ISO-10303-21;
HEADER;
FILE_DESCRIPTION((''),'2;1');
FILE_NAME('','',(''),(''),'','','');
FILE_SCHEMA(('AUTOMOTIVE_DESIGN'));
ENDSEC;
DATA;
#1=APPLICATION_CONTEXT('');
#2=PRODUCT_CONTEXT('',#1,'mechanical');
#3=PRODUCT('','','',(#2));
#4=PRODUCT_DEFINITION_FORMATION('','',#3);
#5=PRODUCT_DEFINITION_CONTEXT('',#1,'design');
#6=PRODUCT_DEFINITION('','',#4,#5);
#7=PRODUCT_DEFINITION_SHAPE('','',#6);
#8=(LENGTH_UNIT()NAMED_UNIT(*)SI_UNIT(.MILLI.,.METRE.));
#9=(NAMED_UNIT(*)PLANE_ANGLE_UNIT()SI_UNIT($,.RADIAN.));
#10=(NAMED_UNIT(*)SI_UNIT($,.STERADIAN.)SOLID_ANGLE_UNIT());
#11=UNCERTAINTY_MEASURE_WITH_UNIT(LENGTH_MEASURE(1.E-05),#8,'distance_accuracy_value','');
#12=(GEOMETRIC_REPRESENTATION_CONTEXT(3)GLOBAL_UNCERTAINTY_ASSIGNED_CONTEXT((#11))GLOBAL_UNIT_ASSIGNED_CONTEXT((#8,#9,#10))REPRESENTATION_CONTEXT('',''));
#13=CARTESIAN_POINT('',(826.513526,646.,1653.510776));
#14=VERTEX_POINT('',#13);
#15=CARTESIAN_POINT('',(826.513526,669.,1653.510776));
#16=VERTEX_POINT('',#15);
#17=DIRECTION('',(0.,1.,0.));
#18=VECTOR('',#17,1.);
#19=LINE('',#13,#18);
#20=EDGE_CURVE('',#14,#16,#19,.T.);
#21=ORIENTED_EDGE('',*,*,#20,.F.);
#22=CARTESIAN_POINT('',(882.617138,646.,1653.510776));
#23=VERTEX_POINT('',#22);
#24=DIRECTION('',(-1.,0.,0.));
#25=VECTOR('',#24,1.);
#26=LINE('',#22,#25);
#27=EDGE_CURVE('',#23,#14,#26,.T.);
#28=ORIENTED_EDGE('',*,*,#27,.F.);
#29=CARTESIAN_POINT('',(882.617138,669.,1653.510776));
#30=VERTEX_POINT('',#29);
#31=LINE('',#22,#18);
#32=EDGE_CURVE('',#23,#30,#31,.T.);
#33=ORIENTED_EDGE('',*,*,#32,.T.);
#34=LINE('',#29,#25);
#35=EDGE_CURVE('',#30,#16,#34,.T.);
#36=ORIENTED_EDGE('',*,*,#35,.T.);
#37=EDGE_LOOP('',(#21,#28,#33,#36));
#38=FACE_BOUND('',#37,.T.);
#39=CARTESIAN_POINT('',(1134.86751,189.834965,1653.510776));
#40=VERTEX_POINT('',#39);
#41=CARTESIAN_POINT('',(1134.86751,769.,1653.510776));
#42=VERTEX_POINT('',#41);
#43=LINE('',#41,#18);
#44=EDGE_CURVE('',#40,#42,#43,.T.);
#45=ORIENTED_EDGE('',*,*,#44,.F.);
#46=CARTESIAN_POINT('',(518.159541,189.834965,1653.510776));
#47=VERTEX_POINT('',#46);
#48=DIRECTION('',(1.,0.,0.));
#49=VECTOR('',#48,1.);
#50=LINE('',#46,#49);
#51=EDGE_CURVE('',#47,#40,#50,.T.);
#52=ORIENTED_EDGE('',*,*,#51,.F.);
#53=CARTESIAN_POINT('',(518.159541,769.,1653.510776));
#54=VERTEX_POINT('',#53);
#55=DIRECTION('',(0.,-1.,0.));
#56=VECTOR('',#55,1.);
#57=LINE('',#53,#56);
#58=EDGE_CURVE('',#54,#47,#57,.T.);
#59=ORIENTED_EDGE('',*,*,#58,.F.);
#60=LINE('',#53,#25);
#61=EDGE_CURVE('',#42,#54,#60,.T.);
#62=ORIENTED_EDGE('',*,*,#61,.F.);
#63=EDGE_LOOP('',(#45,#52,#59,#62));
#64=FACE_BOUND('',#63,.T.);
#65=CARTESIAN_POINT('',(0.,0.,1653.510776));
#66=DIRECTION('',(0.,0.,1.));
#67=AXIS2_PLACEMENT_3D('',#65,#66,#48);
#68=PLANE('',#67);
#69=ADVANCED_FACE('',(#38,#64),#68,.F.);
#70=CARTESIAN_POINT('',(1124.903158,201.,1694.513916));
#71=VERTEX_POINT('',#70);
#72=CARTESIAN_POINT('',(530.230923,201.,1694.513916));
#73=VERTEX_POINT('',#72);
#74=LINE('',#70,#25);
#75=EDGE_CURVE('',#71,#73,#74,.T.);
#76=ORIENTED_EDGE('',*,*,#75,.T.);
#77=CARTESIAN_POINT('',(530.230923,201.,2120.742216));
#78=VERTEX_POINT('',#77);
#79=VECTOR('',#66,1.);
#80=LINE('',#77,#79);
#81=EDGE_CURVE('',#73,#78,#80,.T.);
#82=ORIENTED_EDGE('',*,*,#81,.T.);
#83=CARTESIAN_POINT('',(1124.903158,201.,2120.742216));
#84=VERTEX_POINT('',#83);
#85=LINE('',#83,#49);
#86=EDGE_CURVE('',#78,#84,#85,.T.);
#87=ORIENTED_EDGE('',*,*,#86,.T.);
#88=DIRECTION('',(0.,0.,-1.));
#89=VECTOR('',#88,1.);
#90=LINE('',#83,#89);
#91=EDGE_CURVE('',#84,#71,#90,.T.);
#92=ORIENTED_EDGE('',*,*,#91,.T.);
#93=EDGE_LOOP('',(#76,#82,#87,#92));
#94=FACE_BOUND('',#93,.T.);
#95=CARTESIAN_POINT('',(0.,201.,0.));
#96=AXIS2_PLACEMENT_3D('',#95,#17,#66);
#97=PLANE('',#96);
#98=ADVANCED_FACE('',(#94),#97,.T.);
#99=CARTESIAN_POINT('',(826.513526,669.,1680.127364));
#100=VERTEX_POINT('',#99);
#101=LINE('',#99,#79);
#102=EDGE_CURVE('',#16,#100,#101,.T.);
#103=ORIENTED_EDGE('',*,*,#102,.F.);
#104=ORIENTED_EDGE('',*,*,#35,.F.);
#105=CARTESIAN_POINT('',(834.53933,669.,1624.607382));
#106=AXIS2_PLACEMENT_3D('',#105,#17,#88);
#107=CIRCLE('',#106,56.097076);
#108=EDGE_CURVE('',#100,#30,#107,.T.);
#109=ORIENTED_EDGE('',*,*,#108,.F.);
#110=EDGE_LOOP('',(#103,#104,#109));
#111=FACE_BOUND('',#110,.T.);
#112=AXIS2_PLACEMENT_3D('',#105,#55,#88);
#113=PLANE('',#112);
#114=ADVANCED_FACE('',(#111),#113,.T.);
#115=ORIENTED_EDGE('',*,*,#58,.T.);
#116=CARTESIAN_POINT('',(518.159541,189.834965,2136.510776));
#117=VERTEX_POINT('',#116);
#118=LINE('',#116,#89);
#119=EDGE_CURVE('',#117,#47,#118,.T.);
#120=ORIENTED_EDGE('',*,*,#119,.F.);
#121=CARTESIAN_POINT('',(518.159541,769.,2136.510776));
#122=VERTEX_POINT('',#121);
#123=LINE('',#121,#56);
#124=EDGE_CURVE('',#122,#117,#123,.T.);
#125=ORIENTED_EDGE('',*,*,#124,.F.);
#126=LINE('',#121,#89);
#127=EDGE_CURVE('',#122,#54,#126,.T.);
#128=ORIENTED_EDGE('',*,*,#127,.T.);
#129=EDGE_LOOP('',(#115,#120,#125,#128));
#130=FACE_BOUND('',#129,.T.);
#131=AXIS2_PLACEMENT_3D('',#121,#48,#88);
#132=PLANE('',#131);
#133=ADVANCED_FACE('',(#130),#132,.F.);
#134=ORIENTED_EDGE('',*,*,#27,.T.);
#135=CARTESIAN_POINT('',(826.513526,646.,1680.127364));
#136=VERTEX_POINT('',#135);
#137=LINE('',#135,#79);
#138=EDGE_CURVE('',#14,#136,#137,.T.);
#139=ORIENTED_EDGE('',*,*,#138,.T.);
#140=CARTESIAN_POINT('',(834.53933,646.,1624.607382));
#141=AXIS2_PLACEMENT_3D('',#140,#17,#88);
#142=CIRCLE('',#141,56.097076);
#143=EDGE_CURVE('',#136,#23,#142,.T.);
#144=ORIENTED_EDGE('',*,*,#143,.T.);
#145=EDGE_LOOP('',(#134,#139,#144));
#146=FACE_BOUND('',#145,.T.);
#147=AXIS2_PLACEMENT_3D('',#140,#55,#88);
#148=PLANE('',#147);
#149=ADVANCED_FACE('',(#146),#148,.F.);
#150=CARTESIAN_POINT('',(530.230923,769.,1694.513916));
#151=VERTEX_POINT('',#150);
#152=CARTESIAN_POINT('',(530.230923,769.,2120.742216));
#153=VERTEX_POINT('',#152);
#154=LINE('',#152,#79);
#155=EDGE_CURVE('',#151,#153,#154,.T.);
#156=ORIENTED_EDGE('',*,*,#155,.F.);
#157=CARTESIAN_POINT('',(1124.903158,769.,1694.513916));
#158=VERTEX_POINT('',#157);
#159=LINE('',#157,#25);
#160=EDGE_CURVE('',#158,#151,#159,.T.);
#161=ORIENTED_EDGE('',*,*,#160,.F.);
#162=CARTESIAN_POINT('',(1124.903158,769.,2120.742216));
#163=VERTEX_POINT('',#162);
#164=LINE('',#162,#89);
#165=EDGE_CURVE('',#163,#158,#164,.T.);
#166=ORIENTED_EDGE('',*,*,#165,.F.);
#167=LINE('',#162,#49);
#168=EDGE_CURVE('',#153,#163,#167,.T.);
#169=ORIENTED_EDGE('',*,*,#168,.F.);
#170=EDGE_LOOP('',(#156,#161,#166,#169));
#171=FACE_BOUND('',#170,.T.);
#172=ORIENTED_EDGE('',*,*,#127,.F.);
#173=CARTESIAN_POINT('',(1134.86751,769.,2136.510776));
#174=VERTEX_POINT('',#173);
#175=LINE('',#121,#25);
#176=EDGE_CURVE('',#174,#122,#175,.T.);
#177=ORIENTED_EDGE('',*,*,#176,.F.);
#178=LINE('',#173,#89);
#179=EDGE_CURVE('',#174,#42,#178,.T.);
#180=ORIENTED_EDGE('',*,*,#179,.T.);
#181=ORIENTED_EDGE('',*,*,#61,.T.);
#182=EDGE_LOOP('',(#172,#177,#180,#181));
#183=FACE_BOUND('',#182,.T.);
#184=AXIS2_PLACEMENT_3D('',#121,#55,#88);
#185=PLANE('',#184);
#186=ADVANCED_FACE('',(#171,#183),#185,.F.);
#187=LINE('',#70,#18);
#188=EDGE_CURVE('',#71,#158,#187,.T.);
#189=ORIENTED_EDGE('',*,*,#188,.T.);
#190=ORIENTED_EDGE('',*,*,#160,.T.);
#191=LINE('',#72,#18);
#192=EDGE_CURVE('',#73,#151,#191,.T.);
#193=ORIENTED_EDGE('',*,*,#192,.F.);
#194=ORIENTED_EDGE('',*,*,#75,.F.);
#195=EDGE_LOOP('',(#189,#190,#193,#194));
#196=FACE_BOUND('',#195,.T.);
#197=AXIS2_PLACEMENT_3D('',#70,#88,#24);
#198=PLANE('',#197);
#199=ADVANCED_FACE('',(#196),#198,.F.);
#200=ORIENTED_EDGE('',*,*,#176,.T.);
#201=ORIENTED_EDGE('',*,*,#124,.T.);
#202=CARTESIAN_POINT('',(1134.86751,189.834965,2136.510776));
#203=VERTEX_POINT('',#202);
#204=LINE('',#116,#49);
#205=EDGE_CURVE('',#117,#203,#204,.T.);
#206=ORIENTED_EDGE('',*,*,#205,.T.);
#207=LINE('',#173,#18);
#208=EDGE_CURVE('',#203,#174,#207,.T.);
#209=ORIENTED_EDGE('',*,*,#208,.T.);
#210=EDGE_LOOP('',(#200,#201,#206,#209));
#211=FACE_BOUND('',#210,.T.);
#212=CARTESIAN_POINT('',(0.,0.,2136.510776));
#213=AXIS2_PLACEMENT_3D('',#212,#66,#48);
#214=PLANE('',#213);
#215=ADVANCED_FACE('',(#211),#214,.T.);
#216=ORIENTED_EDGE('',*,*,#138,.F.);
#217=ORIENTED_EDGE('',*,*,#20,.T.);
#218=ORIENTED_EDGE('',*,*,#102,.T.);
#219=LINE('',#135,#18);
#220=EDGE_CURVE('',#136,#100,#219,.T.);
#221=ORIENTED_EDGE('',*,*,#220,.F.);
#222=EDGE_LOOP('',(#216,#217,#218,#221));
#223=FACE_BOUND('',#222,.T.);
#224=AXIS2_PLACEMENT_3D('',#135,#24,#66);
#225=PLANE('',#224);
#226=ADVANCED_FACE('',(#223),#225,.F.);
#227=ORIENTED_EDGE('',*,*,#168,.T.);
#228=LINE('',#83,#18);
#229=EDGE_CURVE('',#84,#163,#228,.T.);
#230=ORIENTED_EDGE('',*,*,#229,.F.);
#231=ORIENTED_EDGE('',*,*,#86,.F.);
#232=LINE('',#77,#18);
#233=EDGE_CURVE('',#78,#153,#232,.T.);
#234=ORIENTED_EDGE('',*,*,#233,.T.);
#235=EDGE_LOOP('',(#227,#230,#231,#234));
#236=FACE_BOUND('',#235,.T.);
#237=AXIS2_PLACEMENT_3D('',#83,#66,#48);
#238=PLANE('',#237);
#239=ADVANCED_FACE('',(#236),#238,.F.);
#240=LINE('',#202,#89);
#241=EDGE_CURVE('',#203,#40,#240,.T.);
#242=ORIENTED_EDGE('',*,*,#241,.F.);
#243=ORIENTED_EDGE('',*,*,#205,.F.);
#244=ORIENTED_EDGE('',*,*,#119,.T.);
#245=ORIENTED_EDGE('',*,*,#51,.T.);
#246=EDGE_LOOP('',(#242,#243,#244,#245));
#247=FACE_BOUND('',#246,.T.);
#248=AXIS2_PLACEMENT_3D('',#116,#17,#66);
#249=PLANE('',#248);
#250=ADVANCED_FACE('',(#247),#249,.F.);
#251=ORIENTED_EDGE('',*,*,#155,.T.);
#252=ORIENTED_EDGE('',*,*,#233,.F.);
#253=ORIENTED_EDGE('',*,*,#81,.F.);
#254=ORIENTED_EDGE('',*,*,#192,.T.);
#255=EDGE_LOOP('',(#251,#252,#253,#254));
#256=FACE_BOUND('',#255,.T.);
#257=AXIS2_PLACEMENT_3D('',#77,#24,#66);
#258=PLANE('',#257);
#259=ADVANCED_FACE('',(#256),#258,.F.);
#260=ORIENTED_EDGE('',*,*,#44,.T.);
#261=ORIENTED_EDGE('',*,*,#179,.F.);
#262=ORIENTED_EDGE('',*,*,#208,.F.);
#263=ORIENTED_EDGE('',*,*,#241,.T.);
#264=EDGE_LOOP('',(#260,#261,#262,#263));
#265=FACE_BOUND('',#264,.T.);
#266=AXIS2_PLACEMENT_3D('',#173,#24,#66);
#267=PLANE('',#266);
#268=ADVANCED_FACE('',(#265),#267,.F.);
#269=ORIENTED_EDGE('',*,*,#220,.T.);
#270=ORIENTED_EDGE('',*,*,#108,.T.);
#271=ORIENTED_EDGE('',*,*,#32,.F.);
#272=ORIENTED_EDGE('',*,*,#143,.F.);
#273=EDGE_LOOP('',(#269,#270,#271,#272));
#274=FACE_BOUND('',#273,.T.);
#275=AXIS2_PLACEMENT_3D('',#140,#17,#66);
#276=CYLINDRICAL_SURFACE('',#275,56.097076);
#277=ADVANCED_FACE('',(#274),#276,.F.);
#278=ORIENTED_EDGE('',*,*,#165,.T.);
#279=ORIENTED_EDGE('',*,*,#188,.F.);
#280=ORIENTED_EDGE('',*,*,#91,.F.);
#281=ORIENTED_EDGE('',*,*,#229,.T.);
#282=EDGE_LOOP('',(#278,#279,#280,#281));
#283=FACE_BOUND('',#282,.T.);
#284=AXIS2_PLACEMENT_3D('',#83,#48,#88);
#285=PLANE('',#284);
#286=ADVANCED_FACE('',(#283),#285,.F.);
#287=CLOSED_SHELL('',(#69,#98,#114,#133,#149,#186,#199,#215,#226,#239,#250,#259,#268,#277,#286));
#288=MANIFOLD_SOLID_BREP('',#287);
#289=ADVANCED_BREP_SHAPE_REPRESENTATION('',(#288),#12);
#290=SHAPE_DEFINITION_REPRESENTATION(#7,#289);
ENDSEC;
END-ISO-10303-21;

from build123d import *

# Parameters (mm, degrees)
BOSS_EXTRUDE1_START = 710
SKETCH2_W           = 616.707969139
SKETCH2_H           = 579.165034538
BOSS_EXTRUDE1_DEPTH = 483
SKETCH3_W           = 594.672235047
SKETCH3_H           = 426.228299924
CUT_EXTRUDE1_DEPTH  = 568
CUT_EXTRUDE2_START  = -100
CUT_EXTRUDE2_DEPTH  = 23


with BuildPart() as part:
    # Sketch2 → Boss-Extrude1 (new body)
    with BuildSketch(Plane.XY.offset(943.510776168).offset(BOSS_EXTRUDE1_START)):
        with Locations((826.513525673, 479.417482731)):
            Rectangle(SKETCH2_W, SKETCH2_H)
    extrude(amount=BOSS_EXTRUDE1_DEPTH)

    # Sketch3 → Cut-Extrude1 (cut)
    with BuildSketch(Plane(origin=(0, 769, 0), x_dir=(1, 0, 0), z_dir=(0, 1, 0))):
        with Locations((827.567040516, -1907.628066077)):
            Rectangle(SKETCH3_W, SKETCH3_H)
    extrude(amount=-CUT_EXTRUDE1_DEPTH, mode=Mode.SUBTRACT)

    # Sketch4 → Cut-Extrude2 (cut)
    with BuildSketch(Plane(origin=(0, 769, 0), x_dir=(1, 0, 0), z_dir=(0, 1, 0)).offset(CUT_EXTRUDE2_START)):
        with BuildLine():
            Line((826.513525672, -1680.127363582), (826.513525672, -1653.510776168))
            Line((826.513525672, -1653.510776168), (882.617138286, -1653.510776168))
            ThreePointArc((882.617138286, -1653.510776168), (858.584109748, -1675.290026262), (826.513525672, -1680.127363582))
        make_face()
    extrude(amount=-CUT_EXTRUDE2_DEPTH, mode=Mode.SUBTRACT)


solid = part.part
